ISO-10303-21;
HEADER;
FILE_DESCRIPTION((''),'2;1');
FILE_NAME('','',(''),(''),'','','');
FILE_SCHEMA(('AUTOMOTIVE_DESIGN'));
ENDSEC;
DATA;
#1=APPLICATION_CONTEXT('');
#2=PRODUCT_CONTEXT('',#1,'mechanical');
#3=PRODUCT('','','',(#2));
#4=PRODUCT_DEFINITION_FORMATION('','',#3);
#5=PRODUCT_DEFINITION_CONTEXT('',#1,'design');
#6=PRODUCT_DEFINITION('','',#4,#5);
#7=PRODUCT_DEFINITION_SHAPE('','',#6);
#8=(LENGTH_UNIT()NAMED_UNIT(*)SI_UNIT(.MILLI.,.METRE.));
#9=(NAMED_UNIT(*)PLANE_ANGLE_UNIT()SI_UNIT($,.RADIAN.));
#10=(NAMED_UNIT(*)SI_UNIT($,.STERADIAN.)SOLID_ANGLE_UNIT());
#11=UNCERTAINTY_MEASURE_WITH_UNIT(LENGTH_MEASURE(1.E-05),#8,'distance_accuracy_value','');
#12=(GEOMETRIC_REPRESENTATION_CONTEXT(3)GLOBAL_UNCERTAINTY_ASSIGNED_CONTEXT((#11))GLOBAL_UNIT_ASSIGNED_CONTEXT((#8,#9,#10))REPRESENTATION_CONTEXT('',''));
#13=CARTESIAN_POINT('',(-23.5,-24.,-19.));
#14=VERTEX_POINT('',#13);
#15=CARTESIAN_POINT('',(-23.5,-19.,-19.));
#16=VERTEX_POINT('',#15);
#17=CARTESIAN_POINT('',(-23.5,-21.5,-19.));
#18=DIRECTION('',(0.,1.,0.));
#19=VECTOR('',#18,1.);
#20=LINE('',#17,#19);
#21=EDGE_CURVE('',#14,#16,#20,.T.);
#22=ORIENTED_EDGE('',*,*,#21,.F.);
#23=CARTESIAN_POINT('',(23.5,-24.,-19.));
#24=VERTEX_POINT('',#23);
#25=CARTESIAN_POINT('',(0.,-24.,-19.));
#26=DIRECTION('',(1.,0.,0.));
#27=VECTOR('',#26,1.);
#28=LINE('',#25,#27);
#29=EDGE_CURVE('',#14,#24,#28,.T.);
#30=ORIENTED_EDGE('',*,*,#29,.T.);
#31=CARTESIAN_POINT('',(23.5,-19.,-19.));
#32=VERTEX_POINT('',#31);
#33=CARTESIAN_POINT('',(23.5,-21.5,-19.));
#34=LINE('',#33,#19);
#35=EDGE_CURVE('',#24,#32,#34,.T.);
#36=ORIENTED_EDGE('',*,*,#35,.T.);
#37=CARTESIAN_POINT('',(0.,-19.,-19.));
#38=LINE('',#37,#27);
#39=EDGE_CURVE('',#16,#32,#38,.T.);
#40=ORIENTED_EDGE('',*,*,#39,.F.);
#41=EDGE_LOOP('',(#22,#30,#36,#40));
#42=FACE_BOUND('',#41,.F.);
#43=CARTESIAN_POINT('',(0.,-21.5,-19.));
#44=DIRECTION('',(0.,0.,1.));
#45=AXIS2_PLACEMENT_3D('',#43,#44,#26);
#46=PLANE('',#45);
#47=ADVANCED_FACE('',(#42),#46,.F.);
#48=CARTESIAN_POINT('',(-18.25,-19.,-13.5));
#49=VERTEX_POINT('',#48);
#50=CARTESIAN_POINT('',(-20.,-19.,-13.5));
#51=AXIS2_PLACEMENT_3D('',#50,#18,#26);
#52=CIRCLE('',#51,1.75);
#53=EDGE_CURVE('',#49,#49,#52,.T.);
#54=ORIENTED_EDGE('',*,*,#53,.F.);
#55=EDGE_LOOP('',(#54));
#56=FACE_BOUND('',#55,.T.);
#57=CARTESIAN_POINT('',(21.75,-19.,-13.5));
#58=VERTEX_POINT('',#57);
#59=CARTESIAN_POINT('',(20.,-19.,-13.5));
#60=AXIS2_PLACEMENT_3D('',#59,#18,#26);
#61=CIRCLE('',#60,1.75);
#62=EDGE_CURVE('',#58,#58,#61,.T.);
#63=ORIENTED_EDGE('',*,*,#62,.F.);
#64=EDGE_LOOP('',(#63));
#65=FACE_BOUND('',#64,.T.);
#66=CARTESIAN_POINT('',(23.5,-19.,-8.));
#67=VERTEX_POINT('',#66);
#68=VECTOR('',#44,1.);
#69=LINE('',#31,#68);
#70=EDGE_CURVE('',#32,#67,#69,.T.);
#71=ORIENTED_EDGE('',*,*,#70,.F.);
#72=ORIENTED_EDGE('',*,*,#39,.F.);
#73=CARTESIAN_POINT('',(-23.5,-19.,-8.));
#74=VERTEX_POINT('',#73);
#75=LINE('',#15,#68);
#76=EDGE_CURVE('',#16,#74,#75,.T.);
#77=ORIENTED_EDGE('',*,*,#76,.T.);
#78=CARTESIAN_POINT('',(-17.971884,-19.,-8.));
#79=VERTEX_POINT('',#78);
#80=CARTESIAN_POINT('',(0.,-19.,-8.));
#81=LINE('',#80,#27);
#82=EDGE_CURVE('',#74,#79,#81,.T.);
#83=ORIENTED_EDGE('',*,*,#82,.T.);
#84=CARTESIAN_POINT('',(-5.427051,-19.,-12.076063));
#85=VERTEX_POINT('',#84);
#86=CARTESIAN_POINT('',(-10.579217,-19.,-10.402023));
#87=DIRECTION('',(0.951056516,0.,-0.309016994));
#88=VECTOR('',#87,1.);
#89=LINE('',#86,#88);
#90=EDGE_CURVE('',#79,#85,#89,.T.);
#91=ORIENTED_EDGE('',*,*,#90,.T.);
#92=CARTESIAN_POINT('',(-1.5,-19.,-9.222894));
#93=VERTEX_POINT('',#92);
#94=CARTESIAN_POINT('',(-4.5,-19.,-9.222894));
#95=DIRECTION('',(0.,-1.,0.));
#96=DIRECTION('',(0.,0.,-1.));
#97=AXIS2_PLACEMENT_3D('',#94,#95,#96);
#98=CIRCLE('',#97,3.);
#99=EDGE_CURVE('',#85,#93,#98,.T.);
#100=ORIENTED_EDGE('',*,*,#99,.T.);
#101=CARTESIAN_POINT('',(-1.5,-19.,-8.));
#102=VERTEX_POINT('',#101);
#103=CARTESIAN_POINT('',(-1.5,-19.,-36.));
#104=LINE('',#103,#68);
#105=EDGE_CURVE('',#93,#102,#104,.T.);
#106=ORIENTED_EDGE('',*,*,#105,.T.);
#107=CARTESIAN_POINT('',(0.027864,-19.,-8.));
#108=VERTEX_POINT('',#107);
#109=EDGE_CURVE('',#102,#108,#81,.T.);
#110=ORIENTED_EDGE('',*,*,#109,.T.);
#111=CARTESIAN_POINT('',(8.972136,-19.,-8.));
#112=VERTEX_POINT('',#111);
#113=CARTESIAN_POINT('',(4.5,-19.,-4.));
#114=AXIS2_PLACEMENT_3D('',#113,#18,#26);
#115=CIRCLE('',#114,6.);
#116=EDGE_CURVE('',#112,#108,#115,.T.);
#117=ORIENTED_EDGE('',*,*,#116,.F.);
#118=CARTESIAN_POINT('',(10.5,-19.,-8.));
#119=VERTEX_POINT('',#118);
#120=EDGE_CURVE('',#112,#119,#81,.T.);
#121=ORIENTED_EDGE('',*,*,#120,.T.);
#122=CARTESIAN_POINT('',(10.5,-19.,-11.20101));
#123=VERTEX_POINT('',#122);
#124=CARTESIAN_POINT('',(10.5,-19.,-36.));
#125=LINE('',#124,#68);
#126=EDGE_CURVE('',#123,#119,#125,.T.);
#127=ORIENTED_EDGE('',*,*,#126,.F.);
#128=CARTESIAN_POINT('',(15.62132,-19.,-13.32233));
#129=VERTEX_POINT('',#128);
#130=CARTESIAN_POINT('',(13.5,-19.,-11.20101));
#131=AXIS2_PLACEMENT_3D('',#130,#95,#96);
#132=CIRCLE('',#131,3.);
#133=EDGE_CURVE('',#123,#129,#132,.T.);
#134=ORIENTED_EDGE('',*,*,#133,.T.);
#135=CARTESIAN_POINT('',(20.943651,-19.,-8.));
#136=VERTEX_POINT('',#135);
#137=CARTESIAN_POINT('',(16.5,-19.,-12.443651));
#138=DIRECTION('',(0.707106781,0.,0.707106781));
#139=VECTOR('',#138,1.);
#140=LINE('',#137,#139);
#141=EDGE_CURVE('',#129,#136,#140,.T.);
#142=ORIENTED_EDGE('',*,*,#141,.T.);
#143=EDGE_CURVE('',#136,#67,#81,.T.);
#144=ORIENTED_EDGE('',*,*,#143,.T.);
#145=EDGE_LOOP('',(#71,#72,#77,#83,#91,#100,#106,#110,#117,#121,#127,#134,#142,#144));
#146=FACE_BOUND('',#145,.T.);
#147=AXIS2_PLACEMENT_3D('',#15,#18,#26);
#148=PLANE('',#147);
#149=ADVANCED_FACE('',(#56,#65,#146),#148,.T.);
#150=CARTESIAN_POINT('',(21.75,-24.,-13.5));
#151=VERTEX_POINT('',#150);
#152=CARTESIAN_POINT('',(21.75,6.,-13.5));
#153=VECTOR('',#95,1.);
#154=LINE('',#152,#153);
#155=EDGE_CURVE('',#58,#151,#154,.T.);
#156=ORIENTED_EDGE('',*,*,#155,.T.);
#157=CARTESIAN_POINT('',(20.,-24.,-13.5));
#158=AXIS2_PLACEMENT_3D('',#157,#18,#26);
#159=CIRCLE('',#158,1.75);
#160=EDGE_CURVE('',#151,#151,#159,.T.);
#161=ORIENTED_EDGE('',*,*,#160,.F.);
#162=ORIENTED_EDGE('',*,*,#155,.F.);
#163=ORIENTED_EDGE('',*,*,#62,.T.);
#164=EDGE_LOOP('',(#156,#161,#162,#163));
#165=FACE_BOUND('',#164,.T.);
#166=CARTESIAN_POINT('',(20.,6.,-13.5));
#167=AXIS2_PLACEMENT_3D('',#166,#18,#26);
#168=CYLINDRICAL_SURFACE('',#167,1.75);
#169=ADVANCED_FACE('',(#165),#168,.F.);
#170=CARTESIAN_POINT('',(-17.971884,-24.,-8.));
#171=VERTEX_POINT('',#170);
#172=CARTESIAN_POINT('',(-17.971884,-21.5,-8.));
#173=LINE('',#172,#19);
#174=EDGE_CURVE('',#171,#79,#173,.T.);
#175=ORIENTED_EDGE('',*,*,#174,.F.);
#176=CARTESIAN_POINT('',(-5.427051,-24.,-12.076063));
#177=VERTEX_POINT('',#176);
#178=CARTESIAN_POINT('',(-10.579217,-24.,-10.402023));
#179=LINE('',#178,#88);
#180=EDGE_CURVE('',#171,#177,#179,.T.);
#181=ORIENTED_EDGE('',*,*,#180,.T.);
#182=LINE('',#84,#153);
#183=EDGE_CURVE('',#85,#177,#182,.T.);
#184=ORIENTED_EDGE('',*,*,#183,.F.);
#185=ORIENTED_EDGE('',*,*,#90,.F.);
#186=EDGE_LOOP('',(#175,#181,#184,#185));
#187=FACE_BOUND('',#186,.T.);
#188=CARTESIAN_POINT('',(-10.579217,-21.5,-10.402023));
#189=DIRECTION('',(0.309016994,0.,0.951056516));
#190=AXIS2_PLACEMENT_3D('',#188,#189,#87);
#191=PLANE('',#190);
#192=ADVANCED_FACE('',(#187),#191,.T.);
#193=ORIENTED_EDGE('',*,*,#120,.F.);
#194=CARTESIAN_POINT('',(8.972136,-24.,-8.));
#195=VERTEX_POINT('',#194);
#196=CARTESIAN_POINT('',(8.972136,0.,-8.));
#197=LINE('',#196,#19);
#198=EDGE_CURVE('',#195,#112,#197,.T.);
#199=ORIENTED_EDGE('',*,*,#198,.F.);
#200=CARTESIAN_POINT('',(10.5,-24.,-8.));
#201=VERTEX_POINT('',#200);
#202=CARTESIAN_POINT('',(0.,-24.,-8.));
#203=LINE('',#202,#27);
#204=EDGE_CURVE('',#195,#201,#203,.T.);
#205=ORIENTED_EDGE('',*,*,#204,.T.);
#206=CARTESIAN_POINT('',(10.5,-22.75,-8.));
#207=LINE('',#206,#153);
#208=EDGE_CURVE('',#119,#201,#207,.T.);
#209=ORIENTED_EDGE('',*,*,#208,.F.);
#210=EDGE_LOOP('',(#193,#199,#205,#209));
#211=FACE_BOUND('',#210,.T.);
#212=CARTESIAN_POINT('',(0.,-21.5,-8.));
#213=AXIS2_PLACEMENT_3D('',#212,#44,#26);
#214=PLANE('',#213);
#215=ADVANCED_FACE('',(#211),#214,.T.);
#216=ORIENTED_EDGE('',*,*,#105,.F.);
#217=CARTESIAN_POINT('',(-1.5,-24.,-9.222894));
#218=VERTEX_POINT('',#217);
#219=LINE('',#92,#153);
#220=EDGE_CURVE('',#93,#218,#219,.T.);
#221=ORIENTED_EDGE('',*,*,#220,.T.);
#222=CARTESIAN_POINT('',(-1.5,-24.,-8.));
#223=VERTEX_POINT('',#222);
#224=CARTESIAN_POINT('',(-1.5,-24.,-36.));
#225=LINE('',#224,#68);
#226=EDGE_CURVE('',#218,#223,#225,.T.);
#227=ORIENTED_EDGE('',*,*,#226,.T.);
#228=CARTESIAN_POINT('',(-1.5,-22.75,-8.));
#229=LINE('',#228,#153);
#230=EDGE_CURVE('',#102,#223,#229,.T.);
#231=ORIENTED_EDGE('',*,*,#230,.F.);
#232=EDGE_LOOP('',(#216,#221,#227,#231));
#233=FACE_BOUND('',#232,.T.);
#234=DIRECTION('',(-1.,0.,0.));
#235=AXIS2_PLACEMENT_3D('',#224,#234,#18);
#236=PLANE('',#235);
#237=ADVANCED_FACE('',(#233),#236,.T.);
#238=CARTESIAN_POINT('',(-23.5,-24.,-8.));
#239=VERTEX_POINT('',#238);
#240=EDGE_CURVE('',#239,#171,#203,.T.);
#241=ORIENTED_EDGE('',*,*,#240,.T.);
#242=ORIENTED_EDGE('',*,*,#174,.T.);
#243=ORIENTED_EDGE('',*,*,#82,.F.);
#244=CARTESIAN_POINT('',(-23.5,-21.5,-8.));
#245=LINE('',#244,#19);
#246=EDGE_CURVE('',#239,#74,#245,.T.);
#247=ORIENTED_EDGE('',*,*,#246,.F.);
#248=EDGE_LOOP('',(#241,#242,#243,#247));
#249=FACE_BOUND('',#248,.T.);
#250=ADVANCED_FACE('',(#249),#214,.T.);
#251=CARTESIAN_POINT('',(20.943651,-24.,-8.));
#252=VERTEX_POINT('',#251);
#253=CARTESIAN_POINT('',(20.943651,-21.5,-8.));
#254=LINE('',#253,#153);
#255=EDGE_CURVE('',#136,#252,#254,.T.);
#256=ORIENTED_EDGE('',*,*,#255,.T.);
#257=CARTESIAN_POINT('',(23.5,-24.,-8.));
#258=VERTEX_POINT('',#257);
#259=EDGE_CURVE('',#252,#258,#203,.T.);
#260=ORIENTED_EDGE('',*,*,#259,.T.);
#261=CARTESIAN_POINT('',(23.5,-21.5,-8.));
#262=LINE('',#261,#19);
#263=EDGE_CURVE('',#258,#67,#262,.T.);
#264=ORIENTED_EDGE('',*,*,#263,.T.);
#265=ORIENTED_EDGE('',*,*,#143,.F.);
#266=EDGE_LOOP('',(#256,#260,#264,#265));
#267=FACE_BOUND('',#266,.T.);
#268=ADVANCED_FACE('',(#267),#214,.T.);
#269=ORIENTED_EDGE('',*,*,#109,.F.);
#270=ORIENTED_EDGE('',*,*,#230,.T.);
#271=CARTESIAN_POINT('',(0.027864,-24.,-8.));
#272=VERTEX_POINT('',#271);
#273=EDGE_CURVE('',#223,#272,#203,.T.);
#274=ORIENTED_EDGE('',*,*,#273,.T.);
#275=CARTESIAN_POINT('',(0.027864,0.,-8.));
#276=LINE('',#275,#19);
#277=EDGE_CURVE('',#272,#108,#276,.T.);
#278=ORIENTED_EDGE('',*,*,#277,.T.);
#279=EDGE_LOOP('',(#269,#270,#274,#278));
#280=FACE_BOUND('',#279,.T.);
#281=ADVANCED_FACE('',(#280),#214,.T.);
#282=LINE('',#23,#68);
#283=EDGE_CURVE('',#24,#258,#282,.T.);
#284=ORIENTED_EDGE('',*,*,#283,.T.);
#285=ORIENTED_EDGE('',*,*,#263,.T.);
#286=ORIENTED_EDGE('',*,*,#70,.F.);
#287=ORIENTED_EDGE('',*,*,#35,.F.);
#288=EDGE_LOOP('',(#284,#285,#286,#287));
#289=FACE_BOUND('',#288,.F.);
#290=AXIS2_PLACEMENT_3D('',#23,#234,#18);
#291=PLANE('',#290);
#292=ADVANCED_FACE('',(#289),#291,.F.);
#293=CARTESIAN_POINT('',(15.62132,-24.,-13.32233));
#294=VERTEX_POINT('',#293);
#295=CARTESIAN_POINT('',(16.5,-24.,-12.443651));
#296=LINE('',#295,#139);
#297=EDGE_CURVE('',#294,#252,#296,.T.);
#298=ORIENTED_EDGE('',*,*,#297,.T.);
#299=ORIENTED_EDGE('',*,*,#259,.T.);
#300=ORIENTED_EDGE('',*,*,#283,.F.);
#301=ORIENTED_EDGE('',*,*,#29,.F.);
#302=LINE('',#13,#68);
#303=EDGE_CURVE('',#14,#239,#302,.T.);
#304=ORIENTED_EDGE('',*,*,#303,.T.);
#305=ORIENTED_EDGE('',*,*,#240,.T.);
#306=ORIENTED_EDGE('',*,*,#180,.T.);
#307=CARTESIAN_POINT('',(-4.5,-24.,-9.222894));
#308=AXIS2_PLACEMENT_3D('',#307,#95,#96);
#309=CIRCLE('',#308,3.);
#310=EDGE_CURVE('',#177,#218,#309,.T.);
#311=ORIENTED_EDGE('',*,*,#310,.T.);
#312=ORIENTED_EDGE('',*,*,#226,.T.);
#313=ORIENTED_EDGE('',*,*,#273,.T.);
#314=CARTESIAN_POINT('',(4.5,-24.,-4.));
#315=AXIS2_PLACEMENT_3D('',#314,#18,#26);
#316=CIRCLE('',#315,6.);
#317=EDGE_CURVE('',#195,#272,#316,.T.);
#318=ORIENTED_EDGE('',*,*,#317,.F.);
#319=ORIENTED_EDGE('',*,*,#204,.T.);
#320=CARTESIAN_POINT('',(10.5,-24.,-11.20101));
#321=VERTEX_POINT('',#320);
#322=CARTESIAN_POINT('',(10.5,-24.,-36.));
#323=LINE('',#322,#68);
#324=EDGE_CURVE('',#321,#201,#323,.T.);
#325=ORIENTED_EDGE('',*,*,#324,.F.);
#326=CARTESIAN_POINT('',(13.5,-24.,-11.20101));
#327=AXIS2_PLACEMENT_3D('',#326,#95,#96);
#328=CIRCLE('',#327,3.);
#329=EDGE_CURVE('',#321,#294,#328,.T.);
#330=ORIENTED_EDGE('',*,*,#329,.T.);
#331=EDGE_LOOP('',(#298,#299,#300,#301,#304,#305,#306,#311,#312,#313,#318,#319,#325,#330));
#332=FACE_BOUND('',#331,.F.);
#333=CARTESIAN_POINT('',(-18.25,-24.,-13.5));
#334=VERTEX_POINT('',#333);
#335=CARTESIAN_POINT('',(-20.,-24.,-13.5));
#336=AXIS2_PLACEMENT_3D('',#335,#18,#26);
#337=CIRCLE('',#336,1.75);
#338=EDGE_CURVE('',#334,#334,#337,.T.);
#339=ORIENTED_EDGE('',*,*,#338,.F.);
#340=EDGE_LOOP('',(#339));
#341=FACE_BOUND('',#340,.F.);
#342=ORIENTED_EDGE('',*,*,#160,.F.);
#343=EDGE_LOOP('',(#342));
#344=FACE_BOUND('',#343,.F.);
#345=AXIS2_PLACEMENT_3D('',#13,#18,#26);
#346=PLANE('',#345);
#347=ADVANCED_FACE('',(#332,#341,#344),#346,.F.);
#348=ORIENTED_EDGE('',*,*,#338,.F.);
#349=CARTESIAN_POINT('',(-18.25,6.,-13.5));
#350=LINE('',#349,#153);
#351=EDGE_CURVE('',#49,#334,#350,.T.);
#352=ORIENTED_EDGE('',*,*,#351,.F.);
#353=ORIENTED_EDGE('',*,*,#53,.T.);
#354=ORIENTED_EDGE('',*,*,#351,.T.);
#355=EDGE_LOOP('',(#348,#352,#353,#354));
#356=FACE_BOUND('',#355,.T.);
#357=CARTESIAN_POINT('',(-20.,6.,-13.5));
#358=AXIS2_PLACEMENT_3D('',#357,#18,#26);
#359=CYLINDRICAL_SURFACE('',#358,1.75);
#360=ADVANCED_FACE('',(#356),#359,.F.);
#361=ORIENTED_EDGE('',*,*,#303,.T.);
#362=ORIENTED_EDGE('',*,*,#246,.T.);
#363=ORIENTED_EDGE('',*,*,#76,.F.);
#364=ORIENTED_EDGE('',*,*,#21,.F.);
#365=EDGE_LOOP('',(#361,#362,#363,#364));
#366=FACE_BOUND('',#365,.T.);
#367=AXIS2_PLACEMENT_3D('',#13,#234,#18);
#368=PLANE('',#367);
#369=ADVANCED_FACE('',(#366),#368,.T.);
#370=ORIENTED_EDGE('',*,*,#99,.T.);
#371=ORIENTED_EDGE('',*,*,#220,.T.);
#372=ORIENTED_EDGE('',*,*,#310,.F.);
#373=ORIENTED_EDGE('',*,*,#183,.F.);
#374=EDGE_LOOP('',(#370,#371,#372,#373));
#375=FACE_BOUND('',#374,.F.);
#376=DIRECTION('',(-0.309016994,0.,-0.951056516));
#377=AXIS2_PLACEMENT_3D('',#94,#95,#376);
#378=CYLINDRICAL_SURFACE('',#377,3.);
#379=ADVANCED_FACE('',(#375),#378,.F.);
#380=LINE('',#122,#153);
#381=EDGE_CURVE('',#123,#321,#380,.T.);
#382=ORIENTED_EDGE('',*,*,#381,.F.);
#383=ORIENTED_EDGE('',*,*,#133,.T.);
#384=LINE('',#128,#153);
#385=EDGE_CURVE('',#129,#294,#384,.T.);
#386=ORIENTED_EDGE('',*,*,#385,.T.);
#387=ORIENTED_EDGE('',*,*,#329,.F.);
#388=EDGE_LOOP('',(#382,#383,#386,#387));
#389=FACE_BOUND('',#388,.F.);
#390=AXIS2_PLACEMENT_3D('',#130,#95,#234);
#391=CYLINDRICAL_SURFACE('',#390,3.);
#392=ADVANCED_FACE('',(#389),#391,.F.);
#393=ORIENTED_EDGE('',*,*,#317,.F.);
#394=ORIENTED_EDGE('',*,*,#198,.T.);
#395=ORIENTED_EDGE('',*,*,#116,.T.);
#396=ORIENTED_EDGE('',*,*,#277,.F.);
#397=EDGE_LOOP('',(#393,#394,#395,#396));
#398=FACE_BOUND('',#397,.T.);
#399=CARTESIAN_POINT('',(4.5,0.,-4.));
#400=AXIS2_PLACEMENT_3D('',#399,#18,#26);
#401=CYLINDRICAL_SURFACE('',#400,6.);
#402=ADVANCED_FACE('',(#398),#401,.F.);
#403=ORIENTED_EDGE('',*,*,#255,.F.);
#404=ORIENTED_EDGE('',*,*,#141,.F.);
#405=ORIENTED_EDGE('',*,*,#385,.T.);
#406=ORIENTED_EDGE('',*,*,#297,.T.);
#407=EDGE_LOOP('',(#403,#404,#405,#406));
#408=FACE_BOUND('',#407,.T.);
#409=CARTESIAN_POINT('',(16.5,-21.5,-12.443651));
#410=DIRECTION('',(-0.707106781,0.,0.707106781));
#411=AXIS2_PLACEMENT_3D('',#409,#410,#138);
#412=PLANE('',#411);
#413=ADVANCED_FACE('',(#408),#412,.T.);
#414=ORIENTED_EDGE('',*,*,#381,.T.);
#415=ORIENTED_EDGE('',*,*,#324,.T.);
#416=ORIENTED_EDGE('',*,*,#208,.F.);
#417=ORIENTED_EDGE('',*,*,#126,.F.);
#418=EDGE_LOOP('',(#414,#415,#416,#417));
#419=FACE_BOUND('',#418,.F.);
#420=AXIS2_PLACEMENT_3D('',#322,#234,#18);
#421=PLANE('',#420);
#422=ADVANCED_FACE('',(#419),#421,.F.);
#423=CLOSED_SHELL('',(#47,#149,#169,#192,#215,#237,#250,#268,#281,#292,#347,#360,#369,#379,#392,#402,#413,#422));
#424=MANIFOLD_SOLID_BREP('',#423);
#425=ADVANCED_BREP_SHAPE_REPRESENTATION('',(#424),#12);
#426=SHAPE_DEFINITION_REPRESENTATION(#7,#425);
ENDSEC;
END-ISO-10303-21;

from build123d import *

# Parameters (mm, degrees)
CYLINDER035_R          = 1.75
CYLINDER035_DEPTH      = 44
CYLINDER035_ROLL_ANGLE = 90
CYLINDER034_R          = 1.75
CYLINDER034_DEPTH      = 44
CYLINDER034_ROLL_ANGLE = 90
CYLINDER037_R          = 6
CYLINDER037_DEPTH      = 34
CYLINDER037_ROLL_ANGLE = 90
CYLINDER024_R          = 1.75
CYLINDER024_DEPTH      = 44
CYLINDER024_ROLL_ANGLE = 90
BOX054_W               = 37
BOX054_H               = 5
BOX054_DEPTH           = 14
BOX054_PITCH_ANGLE     = 18
BOX055_W               = 22
BOX055_H               = 5
BOX055_DEPTH           = 11
BOX055_PITCH_ANGLE     = -45
BOX056_W               = 12
BOX056_H               = 5
BOX056_DEPTH           = 31
CYLINDER025_R          = 1.75
CYLINDER025_DEPTH      = 44
CYLINDER025_ROLL_ANGLE = 90
BOX053_W               = 47
BOX053_H               = 5
BOX053_DEPTH           = 27
FILLET_R               = 3
BOX057_W               = 47
BOX057_H               = 5
BOX057_DEPTH           = 11


with BuildPart() as cylinder_for_hole_4_motherboard002:
    # Cylinder035 → Cylinder035 (new body)
    with BuildSketch(Plane.XY):
        Circle(CYLINDER035_R)
    extrude(amount=CYLINDER035_DEPTH)


with BuildPart() as cylinder_for_hole_4_motherboard002_1:
    # Cylinder035 roll: moved
    add(cylinder_for_hole_4_motherboard002.part.rotate(Axis((0, 0, 0), (1, 0, 0)), CYLINDER035_ROLL_ANGLE))


with BuildPart() as cylinder_for_hole_4_motherboard002_2:
    # Cylinder035 placement: moved
    add(cylinder_for_hole_4_motherboard002_1.part.moved(Location((20, 6, -13.5))))


with BuildPart() as cylinder_for_hole_3_motherboard002:
    # Cylinder034 → Cylinder034 (new body)
    with BuildSketch(Plane.XY):
        Circle(CYLINDER034_R)
    extrude(amount=CYLINDER034_DEPTH)


with BuildPart() as cylinder_for_hole_3_motherboard002_1:
    # Cylinder034 roll: moved
    add(cylinder_for_hole_3_motherboard002.part.rotate(Axis((0, 0, 0), (1, 0, 0)), CYLINDER034_ROLL_ANGLE))


with BuildPart() as cylinder_for_hole_3_motherboard002_2:
    # Cylinder034 placement: moved
    add(cylinder_for_hole_3_motherboard002_1.part.moved(Location((-20, 6, -13.5))))


with BuildPart() as jhead_hole:
    # Cylinder037 → Cylinder037 (new body)
    with BuildSketch(Plane.XY):
        Circle(CYLINDER037_R)
    extrude(amount=CYLINDER037_DEPTH)


with BuildPart() as jhead_hole_1:
    # Cylinder037 roll: moved
    add(jhead_hole.part.rotate(Axis((0, 0, 0), (1, 0, 0)), CYLINDER037_ROLL_ANGLE))


with BuildPart() as jhead_hole_2:
    # Cylinder037 placement: moved
    add(jhead_hole_1.part.moved(Location((4.5, 0, -4))))


with BuildPart() as jhead_lock_plate_holes:
    # Fusion016 base: copy of jhead hole
    add(jhead_hole_2.part)

    # Fusion016: union cylinder for hole 4 - Motherboard002, cylinder for hole 3 - Motherboard002
    add(cylinder_for_hole_4_motherboard002_2.part)
    add(cylinder_for_hole_3_motherboard002_2.part)


with BuildPart() as cylinder_for_hole_9_groovemount_l001:
    # Cylinder024 → Cylinder024 (new body)
    with BuildSketch(Plane.XY):
        Circle(CYLINDER024_R)
    extrude(amount=CYLINDER024_DEPTH)


with BuildPart() as cylinder_for_hole_9_groovemount_l001_1:
    # Cylinder024 roll: moved
    add(cylinder_for_hole_9_groovemount_l001.part.rotate(Axis((0, 0, 0), (1, 0, 0)), CYLINDER024_ROLL_ANGLE))


with BuildPart() as cylinder_for_hole_9_groovemount_l001_2:
    # Cylinder024 placement: moved
    add(cylinder_for_hole_9_groovemount_l001_1.part.moved(Location((-20, 6, -2.5))))


with BuildPart() as jhead_retention_plate_chamfer_l:
    # Box054 → Box054 (new body)
    with BuildSketch(Plane.XY):
        with Locations((18.5, 2.5)):
            Rectangle(BOX054_W, BOX054_H)
    extrude(amount=BOX054_DEPTH)


with BuildPart() as jhead_retention_plate_chamfer_l_1:
    # Box054 pitch: moved
    add(jhead_retention_plate_chamfer_l.part.rotate(Axis((0, 0, 0), (0, 1, 0)), BOX054_PITCH_ANGLE))


with BuildPart() as jhead_retention_plate_chamfer_l_2:
    # Box054 placement: moved
    add(jhead_retention_plate_chamfer_l_1.part.moved(Location((-32.5, -24, -17))))


with BuildPart() as jhead_retention_plate_chamfer_r:
    # Box055 → Box055 (new body)
    with BuildSketch(Plane.XY):
        with Locations((11, 2.5)):
            Rectangle(BOX055_W, BOX055_H)
    extrude(amount=BOX055_DEPTH)


with BuildPart() as jhead_retention_plate_chamfer_r_1:
    # Box055 pitch: moved
    add(jhead_retention_plate_chamfer_r.part.rotate(Axis((0, 0, 0), (0, 1, 0)), BOX055_PITCH_ANGLE))


with BuildPart() as jhead_retention_plate_chamfer_r_2:
    # Box055 placement: moved
    add(jhead_retention_plate_chamfer_r_1.part.moved(Location((16.5, -24, -27))))


with BuildPart() as jhead_retention_plate_slide_in_hole:
    # Box056 → Box056 (new body)
    with BuildSketch(Plane(origin=(-1.5, -24, -35), x_dir=(1, 0, 0), z_dir=(0, 0, 1))):
        with Locations((6, 2.5)):
            Rectangle(BOX056_W, BOX056_H)
    extrude(amount=BOX056_DEPTH)


with BuildPart() as jhead_retention_plate_holes:
    # Cylinder025 → Cylinder025 (new body)
    with BuildSketch(Plane.XY):
        Circle(CYLINDER025_R)
    extrude(amount=CYLINDER025_DEPTH)


with BuildPart() as jhead_retention_plate_holes_1:
    # Cylinder025 roll: moved
    add(jhead_retention_plate_holes.part.rotate(Axis((0, 0, 0), (1, 0, 0)), CYLINDER025_ROLL_ANGLE))


with BuildPart() as jhead_retention_plate_holes_2:
    # Cylinder025 placement: moved
    add(jhead_retention_plate_holes_1.part.moved(Location((20, 6, -2.5))))

    # Fusion015: union cylinder for hole 9 - Groovemount L001, jhead hole, jhead retention plate chamfer L, jhead retention plate chamfer R, jhead retention plate slide in hole
    add(cylinder_for_hole_9_groovemount_l001_2.part)
    add(jhead_hole_2.part)
    add(jhead_retention_plate_chamfer_l_2.part)
    add(jhead_retention_plate_chamfer_r_2.part)
    add(jhead_retention_plate_slide_in_hole.part)


with BuildPart() as fillet_body:
    # Box053 → Box053 (new body)
    with BuildSketch(Plane(origin=(-23.5, -24, -19), x_dir=(1, 0, 0), z_dir=(0, 0, 1))):
        with Locations((23.5, 2.5)):
            Rectangle(BOX053_W, BOX053_H)
    extrude(amount=BOX053_DEPTH)

    # Cut009: cut jhead retention plate holes
    add(jhead_retention_plate_holes_2.part, mode=Mode.SUBTRACT)

    # Fillet
    fillet_edges = [fillet_body.edges().sort_by_distance(p)[0] for p in [
        (-23.5, -21.5, 8),
        (-23.5, -21.5, -5.203806),
        (23.5, -21.5, 8),
        (-1.5, -21.5, -12.352039),
        (10.5, -21.5, -17.443651),
        (23.5, -21.5, -4.443651),
    ]]
    fillet(fillet_edges, radius=FILLET_R)


with BuildPart() as cut011:
    # Box057 → Box057 (new body)
    with BuildSketch(Plane(origin=(-23.5, -24, -18), x_dir=(1, 0, 0), z_dir=(0, 0, 1))):
        with Locations((23.5, 2.5)):
            Rectangle(BOX057_W, BOX057_H)
    extrude(amount=BOX057_DEPTH)

    # Cut010: cut Fillet body
    add(fillet_body.part, mode=Mode.SUBTRACT)


with BuildPart() as cut011_1:
    # Cut010 placement: moved
    add(cut011.part.moved(Location((0, 0, -1))))

    # Cut011: cut jhead lock plate holes
    add(jhead_lock_plate_holes.part, mode=Mode.SUBTRACT)


solid = cut011_1.part
